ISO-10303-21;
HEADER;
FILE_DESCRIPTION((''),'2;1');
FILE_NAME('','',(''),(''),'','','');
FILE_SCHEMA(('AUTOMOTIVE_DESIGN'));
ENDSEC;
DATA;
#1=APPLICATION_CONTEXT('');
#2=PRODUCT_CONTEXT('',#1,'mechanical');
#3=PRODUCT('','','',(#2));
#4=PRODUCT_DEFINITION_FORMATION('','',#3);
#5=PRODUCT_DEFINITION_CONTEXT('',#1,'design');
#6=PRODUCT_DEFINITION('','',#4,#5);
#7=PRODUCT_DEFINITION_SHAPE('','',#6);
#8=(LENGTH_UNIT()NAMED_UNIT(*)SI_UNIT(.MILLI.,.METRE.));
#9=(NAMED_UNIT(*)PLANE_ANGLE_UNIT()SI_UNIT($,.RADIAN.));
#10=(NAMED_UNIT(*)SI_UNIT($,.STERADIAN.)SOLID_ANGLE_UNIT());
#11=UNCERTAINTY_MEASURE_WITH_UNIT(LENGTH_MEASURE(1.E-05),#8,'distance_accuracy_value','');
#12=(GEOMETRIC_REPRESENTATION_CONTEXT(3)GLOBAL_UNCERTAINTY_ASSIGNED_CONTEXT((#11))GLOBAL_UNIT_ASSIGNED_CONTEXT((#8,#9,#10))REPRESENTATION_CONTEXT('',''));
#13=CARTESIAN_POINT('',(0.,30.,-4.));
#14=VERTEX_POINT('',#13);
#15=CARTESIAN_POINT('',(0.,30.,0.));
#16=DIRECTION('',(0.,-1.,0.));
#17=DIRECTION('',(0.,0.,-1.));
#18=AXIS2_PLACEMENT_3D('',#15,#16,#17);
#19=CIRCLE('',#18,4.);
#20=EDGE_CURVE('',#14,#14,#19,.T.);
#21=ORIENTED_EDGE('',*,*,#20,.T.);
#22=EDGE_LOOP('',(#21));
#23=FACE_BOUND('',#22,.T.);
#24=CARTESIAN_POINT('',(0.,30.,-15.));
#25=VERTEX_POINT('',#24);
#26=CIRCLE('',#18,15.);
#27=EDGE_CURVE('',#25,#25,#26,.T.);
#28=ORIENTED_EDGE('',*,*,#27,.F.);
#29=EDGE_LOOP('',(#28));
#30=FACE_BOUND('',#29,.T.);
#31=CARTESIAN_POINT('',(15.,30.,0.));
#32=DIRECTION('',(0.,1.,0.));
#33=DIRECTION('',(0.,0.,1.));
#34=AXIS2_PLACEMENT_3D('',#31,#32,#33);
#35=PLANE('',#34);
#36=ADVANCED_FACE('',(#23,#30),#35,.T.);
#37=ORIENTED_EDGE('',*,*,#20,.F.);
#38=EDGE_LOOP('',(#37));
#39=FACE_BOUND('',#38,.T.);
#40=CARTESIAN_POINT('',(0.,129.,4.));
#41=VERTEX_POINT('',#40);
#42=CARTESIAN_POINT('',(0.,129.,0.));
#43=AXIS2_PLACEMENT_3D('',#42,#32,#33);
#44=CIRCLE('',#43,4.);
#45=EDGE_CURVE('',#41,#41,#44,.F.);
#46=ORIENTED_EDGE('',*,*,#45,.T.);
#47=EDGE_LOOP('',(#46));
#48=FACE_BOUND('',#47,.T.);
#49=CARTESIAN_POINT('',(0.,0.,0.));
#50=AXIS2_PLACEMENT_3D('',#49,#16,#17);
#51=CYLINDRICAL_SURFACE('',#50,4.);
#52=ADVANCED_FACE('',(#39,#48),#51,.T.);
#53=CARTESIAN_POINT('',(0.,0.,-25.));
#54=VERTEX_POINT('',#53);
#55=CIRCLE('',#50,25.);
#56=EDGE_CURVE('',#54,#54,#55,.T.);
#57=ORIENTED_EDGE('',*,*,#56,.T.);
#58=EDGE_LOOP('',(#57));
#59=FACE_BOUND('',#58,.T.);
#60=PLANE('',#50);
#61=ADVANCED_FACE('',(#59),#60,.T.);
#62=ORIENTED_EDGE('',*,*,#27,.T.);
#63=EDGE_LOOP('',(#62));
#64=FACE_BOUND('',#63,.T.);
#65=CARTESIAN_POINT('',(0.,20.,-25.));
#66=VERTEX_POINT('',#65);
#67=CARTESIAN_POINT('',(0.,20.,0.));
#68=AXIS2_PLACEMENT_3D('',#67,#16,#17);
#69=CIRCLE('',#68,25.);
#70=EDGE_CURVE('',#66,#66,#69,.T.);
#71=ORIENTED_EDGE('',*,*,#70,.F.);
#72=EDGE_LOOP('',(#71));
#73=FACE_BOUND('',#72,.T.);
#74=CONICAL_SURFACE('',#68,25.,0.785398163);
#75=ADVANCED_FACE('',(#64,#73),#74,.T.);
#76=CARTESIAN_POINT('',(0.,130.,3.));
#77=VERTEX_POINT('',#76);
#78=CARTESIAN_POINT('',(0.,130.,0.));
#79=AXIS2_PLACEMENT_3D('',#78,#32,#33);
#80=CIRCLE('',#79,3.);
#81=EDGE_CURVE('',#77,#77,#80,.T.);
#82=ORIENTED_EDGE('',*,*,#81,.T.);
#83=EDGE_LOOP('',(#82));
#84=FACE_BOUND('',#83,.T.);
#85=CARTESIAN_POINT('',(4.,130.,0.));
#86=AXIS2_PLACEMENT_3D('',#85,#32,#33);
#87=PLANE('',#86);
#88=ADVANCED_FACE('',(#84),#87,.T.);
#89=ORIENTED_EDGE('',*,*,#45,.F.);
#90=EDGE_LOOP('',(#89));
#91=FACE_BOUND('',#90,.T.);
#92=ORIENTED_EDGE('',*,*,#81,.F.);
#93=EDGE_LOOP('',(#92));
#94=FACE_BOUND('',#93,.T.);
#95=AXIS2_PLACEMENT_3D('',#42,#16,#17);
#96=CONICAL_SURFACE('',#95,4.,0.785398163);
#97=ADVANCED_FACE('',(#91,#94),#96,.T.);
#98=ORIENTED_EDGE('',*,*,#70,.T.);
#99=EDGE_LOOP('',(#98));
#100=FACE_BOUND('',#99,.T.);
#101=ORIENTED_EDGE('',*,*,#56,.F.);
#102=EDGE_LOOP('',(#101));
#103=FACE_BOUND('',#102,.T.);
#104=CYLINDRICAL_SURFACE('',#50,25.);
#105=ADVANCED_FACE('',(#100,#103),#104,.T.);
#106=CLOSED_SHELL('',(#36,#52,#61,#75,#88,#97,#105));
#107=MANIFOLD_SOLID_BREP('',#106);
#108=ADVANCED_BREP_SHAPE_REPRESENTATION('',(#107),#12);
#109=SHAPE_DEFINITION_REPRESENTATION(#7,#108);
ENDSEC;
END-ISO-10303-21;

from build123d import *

# Parameters (mm, degrees)
CHAMFER_1_SIZE = 1


with BuildPart() as part:
    # Эскиз1 → Повернуть1 (revolve)
    with BuildSketch(Plane.XY):
        Polygon((0, 0), (25, 0), (25, 20), (15, 30), (4, 30), (4, 130), (0, 130), align=None)
    revolve(axis=Axis((0, 0, 0), (0, 1, 0)))

    # Фаска1
    chamfer_1_edges = [part.edges().sort_by_distance(p)[0] for p in [
        (-4, 130, 0),
    ]]
    chamfer(chamfer_1_edges, length=CHAMFER_1_SIZE)


solid = part.part
